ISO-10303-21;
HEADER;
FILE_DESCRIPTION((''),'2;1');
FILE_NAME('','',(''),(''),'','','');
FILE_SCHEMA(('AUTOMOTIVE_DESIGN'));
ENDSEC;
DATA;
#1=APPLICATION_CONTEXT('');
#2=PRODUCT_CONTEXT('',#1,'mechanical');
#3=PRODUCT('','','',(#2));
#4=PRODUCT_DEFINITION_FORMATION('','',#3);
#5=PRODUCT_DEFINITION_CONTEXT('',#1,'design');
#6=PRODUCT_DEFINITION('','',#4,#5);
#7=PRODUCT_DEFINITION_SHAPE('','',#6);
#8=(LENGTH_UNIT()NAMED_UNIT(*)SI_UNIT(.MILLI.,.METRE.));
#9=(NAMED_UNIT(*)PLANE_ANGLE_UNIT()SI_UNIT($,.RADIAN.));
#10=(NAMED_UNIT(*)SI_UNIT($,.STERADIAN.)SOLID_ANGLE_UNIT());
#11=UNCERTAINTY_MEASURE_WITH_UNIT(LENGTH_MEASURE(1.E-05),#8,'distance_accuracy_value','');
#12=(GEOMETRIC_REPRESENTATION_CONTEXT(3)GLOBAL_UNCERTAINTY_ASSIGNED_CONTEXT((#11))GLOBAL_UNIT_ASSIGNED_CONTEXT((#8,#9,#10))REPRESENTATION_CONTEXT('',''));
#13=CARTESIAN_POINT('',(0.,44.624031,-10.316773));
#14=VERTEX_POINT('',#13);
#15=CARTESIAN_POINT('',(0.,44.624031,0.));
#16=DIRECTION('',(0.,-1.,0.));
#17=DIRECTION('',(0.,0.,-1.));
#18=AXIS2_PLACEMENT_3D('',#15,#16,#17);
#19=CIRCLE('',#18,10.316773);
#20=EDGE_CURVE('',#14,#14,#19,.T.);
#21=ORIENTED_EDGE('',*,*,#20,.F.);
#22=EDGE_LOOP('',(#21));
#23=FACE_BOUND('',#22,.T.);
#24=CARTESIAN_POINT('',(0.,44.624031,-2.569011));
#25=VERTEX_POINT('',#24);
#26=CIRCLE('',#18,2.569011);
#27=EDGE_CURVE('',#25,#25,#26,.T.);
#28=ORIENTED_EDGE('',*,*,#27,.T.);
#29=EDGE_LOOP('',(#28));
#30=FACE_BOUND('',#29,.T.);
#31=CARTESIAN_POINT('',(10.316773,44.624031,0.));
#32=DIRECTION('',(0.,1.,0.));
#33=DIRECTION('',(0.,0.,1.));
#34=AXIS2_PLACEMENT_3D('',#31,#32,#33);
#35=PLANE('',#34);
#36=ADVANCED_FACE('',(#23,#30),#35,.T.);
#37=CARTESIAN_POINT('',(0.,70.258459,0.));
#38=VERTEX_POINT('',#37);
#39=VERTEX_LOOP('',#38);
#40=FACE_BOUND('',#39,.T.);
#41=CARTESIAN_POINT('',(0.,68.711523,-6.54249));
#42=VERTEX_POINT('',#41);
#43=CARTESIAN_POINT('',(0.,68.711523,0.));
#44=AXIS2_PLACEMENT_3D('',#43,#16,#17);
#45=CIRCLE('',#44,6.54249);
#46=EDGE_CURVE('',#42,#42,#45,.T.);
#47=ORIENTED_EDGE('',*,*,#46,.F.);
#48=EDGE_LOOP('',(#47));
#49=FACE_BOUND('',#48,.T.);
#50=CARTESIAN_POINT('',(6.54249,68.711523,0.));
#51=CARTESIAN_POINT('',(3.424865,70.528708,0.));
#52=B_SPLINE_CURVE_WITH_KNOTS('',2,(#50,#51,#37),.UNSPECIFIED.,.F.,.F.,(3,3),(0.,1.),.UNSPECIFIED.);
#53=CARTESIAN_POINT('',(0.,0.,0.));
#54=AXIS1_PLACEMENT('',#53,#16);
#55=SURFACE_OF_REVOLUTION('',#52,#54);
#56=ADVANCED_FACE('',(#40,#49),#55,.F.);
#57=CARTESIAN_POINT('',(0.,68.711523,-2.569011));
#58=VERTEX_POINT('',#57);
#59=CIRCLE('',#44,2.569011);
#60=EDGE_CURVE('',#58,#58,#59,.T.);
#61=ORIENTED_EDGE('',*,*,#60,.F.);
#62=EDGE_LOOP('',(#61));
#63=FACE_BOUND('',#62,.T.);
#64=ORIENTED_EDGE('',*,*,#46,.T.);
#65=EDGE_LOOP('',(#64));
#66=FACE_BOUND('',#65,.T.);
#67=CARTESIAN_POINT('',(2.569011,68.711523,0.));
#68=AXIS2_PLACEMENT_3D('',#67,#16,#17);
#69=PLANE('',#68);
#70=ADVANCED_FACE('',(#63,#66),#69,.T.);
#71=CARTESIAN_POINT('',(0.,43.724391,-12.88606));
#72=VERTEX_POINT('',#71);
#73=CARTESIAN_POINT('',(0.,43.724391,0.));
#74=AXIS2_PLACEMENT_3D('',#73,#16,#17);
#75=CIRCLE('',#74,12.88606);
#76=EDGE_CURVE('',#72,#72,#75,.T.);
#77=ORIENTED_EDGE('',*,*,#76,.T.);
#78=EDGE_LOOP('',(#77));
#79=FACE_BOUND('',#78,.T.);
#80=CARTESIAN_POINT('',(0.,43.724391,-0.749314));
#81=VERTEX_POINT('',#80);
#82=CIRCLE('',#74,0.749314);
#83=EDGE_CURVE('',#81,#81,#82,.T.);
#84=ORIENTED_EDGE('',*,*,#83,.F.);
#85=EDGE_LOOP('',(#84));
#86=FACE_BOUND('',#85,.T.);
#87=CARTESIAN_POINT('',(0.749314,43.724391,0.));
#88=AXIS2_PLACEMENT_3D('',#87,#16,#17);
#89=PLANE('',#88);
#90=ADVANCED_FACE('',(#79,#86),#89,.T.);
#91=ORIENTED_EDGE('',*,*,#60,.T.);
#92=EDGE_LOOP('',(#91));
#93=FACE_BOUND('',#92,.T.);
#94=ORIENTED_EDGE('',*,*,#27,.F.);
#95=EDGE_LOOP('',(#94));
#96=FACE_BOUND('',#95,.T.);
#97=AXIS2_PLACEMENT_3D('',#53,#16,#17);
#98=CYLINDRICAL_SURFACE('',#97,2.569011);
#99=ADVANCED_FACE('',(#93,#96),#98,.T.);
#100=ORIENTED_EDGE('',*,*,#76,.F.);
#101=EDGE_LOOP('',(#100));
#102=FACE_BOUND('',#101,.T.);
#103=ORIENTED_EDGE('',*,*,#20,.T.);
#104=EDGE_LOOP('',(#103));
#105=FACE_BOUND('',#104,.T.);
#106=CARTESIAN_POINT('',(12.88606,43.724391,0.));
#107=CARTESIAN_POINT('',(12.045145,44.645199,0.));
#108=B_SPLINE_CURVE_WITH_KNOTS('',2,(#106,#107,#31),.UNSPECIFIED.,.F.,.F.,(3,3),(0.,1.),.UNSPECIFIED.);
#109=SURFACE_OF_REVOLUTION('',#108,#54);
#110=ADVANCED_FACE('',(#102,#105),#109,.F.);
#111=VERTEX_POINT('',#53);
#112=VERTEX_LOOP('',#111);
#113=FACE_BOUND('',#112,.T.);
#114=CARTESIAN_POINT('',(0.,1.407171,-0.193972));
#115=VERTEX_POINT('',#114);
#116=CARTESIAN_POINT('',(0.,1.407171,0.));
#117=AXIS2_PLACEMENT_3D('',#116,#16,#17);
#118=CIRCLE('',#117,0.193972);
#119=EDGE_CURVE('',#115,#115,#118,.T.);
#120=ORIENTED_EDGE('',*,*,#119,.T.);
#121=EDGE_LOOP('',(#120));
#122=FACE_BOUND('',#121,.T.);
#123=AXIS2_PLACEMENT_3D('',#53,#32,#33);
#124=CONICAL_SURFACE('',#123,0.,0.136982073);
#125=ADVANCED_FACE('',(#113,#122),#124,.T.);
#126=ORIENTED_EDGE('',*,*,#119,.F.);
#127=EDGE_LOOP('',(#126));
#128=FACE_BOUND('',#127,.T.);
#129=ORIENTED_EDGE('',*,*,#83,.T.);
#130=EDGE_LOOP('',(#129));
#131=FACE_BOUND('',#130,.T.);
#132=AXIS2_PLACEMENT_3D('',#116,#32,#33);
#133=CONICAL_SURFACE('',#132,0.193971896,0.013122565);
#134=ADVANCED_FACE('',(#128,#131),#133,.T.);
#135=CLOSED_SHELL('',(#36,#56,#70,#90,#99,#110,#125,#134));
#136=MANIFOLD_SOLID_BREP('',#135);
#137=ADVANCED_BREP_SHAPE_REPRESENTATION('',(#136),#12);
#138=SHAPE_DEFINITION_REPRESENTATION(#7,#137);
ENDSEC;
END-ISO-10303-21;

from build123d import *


with BuildPart() as part:
    # Sketch1 → Revolve1 (revolve)
    with BuildSketch(Plane.XY):
        with BuildLine():
            Line((0, 0), (0, 70.258458908))
            add(Edge.make_bspline(
                [(0, 70.258458908), (3.42486489, 70.528708067), (6.542490016, 68.711522876)],
                knots=[0, 0, 0, 1, 1, 1], degree=2))
            Line((6.542490016, 68.711522876), (2.569010768, 68.711522876))
            Line((2.569010768, 68.711522876), (2.569010768, 44.624031208))
            Line((2.569010768, 44.624031208), (10.316772859, 44.624031208))
            add(Edge.make_bspline(
                [(10.316772859, 44.624031208), (12.045144659, 44.645198788), (12.886059681, 43.724390653)],
                knots=[0, 0, 0, 1, 1, 1], degree=2))
            Line((12.886059681, 43.724390653), (0.749314242, 43.724390653))
            Line((0.749314242, 43.724390653), (0.193971896, 1.407170555))
            Line((0.193971896, 1.407170555), (0, 0))
        make_face()
    revolve(axis=Axis((0, 0, 0), (0, 1, 0)))


solid = part.part
